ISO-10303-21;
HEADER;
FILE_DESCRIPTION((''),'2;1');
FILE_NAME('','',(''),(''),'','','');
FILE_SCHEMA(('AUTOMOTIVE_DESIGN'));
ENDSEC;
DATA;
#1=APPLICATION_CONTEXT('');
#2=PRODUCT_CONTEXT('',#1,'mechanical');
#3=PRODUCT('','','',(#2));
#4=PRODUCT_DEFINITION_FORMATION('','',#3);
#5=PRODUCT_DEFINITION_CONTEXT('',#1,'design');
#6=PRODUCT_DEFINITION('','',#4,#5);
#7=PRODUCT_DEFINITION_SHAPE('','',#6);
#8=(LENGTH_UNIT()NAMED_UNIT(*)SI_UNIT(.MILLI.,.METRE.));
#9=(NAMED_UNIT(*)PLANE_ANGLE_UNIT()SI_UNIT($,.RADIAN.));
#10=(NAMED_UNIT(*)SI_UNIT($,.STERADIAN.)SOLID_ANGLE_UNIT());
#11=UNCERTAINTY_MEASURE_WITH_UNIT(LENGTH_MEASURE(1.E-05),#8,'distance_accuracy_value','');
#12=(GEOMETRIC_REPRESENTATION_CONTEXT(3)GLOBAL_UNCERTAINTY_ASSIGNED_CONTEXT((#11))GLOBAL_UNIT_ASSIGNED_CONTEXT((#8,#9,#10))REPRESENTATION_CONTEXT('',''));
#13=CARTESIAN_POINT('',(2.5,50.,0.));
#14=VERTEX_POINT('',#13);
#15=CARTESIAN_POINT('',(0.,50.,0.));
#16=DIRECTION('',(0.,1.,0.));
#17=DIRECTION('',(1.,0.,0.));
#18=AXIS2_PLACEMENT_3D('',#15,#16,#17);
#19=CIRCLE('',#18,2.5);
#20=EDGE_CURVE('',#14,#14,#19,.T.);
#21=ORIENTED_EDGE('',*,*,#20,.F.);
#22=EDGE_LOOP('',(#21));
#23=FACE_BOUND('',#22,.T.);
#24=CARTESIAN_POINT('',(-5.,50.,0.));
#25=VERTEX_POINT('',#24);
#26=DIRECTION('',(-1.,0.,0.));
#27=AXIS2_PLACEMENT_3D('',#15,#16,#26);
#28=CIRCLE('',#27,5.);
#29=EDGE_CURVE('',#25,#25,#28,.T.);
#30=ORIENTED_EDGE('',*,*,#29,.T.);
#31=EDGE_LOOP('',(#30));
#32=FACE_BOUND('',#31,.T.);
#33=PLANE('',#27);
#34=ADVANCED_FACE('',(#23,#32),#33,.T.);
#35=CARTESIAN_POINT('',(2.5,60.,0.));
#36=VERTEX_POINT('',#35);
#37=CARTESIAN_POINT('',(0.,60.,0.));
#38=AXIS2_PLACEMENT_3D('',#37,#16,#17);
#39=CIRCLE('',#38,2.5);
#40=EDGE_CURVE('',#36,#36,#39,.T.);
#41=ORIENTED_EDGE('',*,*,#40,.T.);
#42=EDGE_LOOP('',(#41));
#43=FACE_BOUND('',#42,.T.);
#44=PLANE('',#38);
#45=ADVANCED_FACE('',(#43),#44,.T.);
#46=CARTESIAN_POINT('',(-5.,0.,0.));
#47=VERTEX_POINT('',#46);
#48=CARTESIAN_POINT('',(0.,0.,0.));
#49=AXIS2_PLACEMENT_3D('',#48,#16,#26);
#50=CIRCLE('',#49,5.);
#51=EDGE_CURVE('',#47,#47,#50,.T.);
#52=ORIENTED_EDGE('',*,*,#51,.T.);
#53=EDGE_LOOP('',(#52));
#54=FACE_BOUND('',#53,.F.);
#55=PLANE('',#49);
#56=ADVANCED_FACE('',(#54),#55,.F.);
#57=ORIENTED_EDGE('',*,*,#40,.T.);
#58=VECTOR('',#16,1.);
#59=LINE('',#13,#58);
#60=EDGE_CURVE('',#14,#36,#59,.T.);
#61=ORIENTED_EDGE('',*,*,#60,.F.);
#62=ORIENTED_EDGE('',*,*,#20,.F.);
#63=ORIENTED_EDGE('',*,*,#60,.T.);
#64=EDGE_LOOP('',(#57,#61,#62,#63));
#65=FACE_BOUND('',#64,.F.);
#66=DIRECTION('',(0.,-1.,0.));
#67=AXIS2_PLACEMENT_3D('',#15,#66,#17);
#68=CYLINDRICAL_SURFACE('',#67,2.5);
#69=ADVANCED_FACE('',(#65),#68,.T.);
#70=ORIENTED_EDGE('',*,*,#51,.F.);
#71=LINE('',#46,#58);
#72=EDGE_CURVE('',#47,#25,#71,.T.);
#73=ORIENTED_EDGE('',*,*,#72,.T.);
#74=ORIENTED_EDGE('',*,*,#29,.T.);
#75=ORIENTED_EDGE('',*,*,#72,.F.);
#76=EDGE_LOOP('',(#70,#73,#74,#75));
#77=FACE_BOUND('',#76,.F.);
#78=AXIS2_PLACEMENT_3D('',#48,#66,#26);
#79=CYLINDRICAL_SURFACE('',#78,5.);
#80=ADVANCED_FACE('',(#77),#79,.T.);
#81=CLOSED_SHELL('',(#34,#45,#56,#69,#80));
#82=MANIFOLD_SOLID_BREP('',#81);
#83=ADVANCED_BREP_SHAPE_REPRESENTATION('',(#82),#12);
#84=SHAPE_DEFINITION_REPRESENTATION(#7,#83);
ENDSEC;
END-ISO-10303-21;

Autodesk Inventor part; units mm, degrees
ref_plane "YZ Plane" through (0, 0, 0) normal (1, 0, 0) x (0, 1, 0)
ref_plane "XZ Plane" through (0, 0, 0) normal (0, 1, 0) x (-1, 0, 0)
ref_plane "XY Plane" through (0, 0, 0) normal (0, 0, 1) x (1, 0, 0)
sketch "Sketch1" plane through (0, 0, 0) normal (0, 1, 0) x (-1, 0, 0)
  circle A0 centre (0, 0) radius 5
  dimension "d0" = 10
extrude "Extrusion1" add sketch "Sketch1" along normal blind 50
sketch "Sketch2" plane through (0, 50, 0) normal (0, 1, 0) x (1, 0, 0)
  circle A0 centre (0, 0) radius 2.5
  circle A1 centre (0, 0) radius 5 projected
  dimension "d3" = 5
extrude "Extrusion2" add sketch "Sketch2" along normal blind 10 contours A0
properties part number "Body Handle"
